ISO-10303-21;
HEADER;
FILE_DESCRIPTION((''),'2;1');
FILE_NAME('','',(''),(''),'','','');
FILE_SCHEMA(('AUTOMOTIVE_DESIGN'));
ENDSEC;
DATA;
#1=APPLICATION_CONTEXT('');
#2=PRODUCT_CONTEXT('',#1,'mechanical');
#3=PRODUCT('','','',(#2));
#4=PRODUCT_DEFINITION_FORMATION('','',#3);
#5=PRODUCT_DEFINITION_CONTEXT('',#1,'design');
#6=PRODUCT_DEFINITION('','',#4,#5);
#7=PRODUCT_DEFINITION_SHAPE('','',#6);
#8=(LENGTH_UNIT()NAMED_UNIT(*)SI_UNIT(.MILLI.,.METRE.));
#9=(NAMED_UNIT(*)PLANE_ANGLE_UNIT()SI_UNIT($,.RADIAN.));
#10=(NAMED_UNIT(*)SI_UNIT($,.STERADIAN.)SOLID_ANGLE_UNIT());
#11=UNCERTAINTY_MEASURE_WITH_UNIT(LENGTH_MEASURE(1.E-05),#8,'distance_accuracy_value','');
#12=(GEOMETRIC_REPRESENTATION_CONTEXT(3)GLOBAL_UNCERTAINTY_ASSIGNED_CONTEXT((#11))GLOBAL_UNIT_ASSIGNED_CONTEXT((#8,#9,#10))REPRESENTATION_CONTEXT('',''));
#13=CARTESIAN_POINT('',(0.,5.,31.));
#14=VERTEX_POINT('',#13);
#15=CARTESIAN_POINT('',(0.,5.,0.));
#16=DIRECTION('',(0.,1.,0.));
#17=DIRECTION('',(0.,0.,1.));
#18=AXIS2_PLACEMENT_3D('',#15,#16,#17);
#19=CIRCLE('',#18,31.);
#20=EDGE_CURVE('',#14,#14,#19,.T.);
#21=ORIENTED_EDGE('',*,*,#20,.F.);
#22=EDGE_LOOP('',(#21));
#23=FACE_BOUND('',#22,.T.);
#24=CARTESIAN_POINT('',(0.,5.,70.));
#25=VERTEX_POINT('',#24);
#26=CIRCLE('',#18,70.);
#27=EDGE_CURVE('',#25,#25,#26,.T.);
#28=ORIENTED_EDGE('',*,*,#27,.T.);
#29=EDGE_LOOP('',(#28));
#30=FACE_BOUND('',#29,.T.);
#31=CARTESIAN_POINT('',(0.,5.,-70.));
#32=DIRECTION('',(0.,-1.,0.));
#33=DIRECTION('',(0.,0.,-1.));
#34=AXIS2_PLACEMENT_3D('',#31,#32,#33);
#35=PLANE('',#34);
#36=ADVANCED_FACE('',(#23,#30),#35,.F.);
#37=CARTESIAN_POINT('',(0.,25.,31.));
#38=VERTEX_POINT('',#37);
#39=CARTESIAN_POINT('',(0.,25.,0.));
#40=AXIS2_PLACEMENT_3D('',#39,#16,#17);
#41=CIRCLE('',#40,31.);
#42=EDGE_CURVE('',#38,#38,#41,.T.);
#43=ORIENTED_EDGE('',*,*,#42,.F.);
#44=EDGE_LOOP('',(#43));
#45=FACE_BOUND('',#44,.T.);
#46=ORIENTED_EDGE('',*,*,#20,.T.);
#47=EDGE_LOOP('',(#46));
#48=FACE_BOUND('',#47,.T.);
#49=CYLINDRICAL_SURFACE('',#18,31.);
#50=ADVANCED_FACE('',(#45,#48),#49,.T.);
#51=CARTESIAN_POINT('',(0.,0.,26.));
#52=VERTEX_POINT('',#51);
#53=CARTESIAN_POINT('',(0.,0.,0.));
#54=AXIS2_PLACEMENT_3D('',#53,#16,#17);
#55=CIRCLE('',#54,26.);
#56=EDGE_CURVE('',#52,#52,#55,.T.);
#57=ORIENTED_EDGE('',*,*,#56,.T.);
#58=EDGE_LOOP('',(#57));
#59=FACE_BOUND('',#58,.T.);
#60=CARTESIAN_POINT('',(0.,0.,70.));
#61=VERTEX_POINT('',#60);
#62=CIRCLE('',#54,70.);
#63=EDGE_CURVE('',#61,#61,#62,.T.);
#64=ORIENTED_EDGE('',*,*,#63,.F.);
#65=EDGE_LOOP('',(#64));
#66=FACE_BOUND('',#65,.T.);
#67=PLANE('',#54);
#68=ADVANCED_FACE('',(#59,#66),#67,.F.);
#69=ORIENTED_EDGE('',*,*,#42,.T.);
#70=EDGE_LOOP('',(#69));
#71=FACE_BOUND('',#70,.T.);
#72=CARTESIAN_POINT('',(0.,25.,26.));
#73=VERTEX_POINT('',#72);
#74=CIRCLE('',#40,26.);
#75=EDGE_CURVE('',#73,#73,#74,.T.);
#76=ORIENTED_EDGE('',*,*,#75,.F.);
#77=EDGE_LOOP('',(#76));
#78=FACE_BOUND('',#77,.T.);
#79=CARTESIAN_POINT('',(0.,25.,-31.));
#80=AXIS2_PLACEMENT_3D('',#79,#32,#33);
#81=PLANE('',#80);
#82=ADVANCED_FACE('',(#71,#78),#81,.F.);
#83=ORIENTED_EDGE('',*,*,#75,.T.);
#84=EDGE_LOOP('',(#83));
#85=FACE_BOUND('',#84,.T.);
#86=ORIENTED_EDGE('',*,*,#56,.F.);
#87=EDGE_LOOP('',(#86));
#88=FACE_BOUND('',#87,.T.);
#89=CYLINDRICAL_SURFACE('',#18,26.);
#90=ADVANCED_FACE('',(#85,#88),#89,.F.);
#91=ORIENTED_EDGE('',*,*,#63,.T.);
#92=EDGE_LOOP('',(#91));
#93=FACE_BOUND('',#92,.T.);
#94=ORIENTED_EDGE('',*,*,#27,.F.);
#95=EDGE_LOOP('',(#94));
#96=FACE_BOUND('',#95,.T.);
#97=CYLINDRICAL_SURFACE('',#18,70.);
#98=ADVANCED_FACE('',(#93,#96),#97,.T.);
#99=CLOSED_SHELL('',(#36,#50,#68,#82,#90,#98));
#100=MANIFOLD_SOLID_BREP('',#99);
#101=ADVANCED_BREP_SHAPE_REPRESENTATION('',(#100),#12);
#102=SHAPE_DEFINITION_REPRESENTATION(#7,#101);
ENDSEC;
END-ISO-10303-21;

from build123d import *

# Parameters (mm, degrees)
CUT_EXTRUDE1_START = -10
SKETCH3_R          = 26
CUT_EXTRUDE1_DEPTH = 10


with BuildPart() as part:
    # Sketch1 → Revolve1 (revolve)
    with BuildSketch(Plane(origin=(0, 0, 0), x_dir=(0, 0, -1), z_dir=(1, 0, 0)), mode=Mode.PRIVATE) as revolve1_sk:
        Polygon((0, 0), (70, 0), (70, 5), (31, 5), (31, 25), (26, 25), (26, 5), (0, 5), align=None)
    revolve(revolve1_sk.sketch.rotate(Axis((0, 5, 0), (0, -1, 0)), 180), axis=Axis((0, 5, 0), (0, -1, 0)))

    # Sketch3 → Cut-Extrude1 (cut)
    with BuildSketch(Plane(origin=(0, 5, 0), x_dir=(1, 0, 0), z_dir=(0, 1, 0)).offset(CUT_EXTRUDE1_START)):
        with Locations(Location((0, 0, 0), (0, 0, 270))):
            Circle(SKETCH3_R)
    extrude(amount=CUT_EXTRUDE1_DEPTH, mode=Mode.SUBTRACT)


solid = part.part
